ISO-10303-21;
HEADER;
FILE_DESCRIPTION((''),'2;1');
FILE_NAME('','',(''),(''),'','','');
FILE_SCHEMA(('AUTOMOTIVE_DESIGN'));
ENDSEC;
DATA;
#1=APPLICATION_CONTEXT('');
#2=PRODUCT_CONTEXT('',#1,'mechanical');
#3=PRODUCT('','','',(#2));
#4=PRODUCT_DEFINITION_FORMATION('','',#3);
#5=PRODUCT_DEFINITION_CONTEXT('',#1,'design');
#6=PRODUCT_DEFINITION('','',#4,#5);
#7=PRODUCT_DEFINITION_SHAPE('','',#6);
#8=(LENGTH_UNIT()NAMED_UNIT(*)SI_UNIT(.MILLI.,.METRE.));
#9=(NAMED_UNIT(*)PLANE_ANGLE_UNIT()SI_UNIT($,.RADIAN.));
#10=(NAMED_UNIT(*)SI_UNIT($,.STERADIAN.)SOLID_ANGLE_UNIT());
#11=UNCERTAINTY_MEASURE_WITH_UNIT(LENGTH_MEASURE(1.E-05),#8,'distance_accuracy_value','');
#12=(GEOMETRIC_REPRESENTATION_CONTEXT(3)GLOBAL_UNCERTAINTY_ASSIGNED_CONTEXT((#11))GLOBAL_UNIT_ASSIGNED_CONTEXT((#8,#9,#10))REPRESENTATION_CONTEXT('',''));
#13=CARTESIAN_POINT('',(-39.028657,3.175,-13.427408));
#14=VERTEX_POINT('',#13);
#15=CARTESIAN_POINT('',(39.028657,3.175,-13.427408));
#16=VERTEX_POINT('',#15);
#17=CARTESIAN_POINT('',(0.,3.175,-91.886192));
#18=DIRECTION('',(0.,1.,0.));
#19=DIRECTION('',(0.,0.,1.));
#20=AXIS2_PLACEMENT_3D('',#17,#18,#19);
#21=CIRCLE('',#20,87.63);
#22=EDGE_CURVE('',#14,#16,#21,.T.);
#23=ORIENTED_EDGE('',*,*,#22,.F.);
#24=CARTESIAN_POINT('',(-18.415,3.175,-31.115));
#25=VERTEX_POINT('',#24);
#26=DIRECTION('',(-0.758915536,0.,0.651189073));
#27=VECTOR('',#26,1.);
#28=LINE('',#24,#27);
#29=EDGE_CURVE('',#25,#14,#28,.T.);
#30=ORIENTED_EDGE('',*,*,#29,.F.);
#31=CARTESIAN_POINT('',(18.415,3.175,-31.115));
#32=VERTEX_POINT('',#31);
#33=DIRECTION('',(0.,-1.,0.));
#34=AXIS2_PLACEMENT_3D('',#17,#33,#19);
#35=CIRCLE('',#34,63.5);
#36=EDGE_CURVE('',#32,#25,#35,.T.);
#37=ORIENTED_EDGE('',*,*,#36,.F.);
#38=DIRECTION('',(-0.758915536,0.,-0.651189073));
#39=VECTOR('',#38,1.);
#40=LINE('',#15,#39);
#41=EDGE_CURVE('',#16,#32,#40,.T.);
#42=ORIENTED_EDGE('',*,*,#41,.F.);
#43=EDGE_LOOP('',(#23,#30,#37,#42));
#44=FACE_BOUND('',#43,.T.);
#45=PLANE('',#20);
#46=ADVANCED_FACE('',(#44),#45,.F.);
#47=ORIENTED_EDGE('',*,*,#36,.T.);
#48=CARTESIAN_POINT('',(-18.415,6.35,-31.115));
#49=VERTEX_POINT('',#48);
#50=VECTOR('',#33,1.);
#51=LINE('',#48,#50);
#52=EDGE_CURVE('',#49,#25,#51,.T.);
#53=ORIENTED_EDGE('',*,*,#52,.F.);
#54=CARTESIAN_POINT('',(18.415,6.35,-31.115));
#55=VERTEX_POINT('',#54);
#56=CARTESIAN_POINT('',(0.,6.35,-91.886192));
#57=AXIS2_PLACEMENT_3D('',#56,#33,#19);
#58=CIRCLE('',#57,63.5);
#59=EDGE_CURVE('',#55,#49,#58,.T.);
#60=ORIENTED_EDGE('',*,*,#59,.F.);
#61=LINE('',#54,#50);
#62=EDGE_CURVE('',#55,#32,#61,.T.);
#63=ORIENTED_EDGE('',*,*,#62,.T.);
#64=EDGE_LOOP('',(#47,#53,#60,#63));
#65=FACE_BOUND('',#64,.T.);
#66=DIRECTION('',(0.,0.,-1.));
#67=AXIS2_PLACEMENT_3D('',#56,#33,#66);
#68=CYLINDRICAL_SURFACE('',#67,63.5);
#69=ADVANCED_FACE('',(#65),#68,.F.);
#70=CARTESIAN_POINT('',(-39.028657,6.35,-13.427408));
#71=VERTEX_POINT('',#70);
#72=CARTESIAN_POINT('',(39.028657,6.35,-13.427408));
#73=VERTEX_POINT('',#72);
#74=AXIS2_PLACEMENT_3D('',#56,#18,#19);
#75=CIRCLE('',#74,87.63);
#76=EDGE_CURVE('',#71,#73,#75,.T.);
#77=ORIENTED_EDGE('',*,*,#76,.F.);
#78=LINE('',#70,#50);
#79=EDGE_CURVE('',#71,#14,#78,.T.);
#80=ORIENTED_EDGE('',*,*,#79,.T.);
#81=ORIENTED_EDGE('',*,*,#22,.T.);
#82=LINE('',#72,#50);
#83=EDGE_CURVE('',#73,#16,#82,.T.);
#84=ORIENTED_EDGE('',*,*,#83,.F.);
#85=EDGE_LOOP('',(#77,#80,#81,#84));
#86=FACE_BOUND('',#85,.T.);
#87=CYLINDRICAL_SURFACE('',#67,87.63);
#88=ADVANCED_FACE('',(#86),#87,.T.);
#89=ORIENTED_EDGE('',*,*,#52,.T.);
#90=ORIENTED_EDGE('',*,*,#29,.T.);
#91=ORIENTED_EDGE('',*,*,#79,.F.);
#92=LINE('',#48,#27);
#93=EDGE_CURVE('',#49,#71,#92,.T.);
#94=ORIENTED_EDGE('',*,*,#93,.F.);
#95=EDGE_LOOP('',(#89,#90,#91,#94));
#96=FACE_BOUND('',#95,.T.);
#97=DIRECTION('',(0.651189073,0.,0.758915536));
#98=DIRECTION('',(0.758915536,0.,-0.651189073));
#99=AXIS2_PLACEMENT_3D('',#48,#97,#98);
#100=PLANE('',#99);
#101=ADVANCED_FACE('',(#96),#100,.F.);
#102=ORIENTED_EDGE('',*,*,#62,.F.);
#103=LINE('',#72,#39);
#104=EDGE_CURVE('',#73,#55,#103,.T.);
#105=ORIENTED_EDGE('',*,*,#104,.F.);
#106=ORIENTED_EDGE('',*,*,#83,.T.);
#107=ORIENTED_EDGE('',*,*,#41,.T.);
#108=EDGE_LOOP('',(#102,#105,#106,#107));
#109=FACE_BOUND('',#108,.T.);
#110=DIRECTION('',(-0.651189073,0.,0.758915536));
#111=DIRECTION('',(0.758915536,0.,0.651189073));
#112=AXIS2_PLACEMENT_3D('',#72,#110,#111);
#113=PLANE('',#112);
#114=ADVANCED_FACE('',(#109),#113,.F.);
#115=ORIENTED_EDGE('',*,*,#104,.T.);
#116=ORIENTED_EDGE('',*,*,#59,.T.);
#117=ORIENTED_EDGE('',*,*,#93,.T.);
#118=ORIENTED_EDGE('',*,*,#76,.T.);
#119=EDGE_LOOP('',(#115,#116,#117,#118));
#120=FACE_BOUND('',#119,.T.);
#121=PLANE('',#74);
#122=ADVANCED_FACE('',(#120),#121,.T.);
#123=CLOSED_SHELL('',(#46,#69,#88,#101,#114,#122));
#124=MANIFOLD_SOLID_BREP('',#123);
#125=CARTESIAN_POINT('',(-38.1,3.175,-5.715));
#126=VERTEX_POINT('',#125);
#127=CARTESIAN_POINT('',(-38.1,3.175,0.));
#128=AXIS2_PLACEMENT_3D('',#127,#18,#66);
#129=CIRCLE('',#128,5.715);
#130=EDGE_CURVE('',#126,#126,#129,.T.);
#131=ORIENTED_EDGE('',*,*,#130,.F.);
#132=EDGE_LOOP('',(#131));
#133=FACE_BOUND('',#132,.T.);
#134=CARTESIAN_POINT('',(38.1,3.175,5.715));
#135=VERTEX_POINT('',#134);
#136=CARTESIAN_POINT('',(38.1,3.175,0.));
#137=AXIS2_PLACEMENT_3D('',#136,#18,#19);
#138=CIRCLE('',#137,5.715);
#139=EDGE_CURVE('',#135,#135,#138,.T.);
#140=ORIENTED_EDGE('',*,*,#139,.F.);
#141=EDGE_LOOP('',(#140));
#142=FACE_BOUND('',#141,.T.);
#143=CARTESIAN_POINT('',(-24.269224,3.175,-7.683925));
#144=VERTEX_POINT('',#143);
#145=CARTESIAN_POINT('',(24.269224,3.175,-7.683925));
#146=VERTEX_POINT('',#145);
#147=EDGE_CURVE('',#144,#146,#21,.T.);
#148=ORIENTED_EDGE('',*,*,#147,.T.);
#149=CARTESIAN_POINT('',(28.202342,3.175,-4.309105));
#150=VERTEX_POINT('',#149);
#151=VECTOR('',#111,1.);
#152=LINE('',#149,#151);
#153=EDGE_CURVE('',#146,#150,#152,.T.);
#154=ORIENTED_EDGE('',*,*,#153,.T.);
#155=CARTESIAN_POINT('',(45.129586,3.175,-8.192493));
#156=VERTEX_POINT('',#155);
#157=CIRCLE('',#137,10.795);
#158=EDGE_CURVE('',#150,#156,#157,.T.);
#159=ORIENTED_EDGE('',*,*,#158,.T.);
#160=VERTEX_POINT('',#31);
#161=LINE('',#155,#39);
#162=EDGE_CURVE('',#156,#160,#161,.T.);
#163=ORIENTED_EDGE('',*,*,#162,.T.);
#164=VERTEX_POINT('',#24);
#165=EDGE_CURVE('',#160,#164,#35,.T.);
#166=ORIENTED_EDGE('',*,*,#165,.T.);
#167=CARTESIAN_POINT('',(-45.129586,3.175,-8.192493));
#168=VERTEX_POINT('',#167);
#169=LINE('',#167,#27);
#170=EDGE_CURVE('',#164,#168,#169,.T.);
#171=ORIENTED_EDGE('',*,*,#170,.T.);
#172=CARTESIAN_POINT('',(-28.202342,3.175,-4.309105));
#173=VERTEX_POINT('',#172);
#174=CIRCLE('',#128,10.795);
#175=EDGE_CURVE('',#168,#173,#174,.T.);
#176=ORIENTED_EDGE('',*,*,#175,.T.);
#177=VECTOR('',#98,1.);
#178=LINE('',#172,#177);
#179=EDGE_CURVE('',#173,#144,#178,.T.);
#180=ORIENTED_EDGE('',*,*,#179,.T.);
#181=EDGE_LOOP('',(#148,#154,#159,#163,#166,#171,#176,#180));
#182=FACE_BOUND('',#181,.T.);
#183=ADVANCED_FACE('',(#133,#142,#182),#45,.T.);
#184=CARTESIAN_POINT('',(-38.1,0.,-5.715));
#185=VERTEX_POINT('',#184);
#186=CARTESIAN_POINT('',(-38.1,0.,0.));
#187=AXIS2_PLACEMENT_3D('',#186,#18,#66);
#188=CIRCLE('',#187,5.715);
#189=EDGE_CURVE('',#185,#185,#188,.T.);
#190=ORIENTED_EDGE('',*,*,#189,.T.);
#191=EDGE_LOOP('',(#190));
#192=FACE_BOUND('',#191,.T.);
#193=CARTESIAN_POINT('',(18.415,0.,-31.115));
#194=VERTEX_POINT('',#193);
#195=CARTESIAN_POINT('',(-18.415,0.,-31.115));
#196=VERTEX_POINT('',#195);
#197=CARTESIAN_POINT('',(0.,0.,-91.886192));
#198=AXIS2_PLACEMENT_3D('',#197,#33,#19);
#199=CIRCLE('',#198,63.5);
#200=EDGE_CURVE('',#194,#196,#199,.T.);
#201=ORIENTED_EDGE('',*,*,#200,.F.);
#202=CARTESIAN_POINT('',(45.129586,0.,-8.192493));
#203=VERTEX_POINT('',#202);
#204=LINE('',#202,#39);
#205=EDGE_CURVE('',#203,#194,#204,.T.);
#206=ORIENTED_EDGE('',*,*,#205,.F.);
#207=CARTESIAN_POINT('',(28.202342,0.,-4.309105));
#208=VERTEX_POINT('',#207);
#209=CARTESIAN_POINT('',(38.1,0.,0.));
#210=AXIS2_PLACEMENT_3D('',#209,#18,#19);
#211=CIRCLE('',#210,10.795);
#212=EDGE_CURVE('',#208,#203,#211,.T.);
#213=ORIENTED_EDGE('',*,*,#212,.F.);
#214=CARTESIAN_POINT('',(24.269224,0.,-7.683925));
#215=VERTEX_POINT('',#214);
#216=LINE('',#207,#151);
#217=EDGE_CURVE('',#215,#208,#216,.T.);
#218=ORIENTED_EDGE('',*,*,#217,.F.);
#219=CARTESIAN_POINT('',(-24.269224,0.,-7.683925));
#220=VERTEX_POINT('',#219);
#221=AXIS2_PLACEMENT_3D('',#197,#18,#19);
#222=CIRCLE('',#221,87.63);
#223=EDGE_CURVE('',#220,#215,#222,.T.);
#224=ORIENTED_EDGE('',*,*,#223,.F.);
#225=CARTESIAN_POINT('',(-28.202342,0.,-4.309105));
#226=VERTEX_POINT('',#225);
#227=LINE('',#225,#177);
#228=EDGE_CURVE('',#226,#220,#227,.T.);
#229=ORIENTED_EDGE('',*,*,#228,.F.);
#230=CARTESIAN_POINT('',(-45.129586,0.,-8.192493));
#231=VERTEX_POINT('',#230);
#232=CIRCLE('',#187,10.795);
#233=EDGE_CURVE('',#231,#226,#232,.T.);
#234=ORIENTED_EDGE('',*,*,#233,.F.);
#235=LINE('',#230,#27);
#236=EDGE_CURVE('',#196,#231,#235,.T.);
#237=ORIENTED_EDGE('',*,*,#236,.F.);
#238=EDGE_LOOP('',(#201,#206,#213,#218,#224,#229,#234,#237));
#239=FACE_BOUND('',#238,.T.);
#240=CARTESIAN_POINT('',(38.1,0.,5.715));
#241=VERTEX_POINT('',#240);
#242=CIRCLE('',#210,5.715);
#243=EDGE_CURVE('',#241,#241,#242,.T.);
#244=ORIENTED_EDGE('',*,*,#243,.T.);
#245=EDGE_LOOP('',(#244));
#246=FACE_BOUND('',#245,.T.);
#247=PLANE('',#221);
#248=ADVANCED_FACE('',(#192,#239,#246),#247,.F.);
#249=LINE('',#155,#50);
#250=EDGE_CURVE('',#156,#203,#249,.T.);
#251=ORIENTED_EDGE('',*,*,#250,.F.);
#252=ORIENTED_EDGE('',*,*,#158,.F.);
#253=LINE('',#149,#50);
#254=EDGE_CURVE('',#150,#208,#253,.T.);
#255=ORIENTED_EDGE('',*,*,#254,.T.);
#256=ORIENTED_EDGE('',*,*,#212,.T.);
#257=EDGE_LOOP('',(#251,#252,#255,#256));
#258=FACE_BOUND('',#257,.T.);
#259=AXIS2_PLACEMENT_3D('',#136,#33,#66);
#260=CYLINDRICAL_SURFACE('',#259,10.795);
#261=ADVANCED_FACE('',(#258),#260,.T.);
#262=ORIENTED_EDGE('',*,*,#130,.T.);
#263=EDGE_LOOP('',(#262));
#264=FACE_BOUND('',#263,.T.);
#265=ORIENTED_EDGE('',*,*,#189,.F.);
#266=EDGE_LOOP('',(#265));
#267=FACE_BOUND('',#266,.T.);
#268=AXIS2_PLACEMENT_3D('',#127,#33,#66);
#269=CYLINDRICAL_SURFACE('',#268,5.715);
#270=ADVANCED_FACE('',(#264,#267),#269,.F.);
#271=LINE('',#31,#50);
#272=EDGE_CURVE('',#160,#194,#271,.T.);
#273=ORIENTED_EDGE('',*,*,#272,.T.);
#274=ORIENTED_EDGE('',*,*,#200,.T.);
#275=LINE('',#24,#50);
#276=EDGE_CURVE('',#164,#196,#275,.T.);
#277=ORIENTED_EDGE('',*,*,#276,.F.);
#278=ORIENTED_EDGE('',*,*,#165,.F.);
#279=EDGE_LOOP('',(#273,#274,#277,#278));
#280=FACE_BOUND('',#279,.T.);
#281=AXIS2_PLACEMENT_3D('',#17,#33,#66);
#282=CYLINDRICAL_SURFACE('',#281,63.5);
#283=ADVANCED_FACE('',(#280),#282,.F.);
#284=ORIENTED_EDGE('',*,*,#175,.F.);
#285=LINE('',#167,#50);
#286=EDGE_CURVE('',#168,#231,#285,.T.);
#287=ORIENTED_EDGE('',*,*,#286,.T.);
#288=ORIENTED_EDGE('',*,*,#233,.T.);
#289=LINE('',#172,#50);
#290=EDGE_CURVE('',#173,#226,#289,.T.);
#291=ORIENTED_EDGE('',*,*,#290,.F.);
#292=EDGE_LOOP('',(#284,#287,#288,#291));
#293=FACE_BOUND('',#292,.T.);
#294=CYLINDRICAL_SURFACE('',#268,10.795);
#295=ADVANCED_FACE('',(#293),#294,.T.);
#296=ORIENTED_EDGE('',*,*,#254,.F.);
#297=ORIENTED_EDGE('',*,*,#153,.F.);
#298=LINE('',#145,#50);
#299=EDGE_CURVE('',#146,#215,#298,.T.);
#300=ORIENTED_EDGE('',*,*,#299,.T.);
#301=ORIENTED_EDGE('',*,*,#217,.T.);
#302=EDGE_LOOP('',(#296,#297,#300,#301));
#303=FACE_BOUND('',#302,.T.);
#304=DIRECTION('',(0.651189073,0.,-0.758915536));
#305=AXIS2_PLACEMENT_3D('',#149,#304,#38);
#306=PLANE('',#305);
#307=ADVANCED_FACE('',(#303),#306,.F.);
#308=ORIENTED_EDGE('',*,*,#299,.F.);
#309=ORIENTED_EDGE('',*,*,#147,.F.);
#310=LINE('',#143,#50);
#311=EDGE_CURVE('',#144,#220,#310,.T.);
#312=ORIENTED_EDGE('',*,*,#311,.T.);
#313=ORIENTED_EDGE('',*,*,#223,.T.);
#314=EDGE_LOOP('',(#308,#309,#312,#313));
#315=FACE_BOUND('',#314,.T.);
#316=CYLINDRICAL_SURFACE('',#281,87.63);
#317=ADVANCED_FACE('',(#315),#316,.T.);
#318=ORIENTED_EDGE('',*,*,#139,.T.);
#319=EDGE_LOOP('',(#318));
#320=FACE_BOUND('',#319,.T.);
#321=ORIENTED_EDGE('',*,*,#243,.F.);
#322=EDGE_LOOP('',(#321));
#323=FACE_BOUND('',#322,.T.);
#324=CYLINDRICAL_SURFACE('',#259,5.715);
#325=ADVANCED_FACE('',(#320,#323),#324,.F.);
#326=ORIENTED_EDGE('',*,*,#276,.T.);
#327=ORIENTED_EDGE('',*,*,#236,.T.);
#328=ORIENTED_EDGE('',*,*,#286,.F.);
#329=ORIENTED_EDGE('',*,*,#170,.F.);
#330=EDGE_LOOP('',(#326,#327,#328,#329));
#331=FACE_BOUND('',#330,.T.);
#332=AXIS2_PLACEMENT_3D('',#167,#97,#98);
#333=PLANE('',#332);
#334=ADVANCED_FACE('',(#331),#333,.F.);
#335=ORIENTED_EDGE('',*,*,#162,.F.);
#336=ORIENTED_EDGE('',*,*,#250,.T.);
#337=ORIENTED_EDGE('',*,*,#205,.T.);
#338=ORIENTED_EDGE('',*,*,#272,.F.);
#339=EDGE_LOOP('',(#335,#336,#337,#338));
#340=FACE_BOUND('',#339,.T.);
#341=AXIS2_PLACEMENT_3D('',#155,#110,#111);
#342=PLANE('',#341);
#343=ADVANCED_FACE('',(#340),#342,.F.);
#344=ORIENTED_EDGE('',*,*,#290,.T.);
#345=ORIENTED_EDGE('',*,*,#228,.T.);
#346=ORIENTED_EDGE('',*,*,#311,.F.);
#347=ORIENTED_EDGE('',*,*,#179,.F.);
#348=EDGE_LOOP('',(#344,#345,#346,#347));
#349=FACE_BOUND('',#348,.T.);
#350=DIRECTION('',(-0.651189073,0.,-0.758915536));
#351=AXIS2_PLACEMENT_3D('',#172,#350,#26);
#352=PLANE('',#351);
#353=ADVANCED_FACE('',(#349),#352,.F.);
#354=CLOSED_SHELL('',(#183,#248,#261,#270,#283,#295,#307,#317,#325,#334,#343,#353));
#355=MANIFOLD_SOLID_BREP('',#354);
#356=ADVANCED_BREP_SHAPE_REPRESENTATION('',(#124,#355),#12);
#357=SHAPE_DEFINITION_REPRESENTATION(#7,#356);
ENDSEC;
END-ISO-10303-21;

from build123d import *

# Parameters (mm, degrees)
SKETCH1_R           = 5.715
BOSS_EXTRUDE1_DEPTH = 3.175
BOSS_EXTRUDE2_DEPTH = 3.175


with BuildPart() as part:
    # Sketch1 → Boss-Extrude1 (new body)
    with BuildSketch(Plane(origin=(0, 0, 0), x_dir=(1, 0, 0), z_dir=(0, 1, 0))):
        with BuildLine():
            Line((45.129586045, 8.192493212), (18.415, 31.115))
            ThreePointArc((18.415, 31.115), (0, 28.386191983), (-18.415, 31.115))
            Line((-18.415, 31.115), (-45.129586045, 8.192493212))
            ThreePointArc((-45.129586045, 8.192493212), (-40.513842398, -10.521662886), (-28.202341812, 4.309105173))
            Line((-28.202341812, 4.309105173), (-24.269223655, 7.683925486))
            ThreePointArc((-24.269223655, 7.683925486), (0, 4.256191983), (24.269223655, 7.683925486))
            Line((24.269223655, 7.683925486), (28.202341812, 4.309105173))
            ThreePointArc((28.202341812, 4.309105173), (40.513842398, -10.521662886), (45.129586045, 8.192493212))
        make_face()
        with Locations(Location((38.1, 0, 0), (0, 0, 270))):
            Circle(SKETCH1_R, mode=Mode.SUBTRACT)
        with Locations(Location((-38.1, 0, 0), (0, 0, 90))):
            Circle(SKETCH1_R, mode=Mode.SUBTRACT)
    extrude(amount=BOSS_EXTRUDE1_DEPTH)


with BuildPart() as body_2:
    # Sketch2 → Boss-Extrude2 (new body)
    with BuildSketch(Plane(origin=(0, 3.175, 0), x_dir=(1, 0, 0), z_dir=(0, 1, 0))):
        with BuildLine():
            Line((-18.415, 31.115), (-39.028657392, 13.427407885))
            ThreePointArc((-39.028657392, 13.427407885), (0, 4.256191983), (39.028657392, 13.427407885))
            Line((39.028657392, 13.427407885), (18.415, 31.115))
            ThreePointArc((18.415, 31.115), (0, 28.386191983), (-18.415, 31.115))
        make_face()
    extrude(amount=BOSS_EXTRUDE2_DEPTH)


solid = Compound([part.part, body_2.part])
